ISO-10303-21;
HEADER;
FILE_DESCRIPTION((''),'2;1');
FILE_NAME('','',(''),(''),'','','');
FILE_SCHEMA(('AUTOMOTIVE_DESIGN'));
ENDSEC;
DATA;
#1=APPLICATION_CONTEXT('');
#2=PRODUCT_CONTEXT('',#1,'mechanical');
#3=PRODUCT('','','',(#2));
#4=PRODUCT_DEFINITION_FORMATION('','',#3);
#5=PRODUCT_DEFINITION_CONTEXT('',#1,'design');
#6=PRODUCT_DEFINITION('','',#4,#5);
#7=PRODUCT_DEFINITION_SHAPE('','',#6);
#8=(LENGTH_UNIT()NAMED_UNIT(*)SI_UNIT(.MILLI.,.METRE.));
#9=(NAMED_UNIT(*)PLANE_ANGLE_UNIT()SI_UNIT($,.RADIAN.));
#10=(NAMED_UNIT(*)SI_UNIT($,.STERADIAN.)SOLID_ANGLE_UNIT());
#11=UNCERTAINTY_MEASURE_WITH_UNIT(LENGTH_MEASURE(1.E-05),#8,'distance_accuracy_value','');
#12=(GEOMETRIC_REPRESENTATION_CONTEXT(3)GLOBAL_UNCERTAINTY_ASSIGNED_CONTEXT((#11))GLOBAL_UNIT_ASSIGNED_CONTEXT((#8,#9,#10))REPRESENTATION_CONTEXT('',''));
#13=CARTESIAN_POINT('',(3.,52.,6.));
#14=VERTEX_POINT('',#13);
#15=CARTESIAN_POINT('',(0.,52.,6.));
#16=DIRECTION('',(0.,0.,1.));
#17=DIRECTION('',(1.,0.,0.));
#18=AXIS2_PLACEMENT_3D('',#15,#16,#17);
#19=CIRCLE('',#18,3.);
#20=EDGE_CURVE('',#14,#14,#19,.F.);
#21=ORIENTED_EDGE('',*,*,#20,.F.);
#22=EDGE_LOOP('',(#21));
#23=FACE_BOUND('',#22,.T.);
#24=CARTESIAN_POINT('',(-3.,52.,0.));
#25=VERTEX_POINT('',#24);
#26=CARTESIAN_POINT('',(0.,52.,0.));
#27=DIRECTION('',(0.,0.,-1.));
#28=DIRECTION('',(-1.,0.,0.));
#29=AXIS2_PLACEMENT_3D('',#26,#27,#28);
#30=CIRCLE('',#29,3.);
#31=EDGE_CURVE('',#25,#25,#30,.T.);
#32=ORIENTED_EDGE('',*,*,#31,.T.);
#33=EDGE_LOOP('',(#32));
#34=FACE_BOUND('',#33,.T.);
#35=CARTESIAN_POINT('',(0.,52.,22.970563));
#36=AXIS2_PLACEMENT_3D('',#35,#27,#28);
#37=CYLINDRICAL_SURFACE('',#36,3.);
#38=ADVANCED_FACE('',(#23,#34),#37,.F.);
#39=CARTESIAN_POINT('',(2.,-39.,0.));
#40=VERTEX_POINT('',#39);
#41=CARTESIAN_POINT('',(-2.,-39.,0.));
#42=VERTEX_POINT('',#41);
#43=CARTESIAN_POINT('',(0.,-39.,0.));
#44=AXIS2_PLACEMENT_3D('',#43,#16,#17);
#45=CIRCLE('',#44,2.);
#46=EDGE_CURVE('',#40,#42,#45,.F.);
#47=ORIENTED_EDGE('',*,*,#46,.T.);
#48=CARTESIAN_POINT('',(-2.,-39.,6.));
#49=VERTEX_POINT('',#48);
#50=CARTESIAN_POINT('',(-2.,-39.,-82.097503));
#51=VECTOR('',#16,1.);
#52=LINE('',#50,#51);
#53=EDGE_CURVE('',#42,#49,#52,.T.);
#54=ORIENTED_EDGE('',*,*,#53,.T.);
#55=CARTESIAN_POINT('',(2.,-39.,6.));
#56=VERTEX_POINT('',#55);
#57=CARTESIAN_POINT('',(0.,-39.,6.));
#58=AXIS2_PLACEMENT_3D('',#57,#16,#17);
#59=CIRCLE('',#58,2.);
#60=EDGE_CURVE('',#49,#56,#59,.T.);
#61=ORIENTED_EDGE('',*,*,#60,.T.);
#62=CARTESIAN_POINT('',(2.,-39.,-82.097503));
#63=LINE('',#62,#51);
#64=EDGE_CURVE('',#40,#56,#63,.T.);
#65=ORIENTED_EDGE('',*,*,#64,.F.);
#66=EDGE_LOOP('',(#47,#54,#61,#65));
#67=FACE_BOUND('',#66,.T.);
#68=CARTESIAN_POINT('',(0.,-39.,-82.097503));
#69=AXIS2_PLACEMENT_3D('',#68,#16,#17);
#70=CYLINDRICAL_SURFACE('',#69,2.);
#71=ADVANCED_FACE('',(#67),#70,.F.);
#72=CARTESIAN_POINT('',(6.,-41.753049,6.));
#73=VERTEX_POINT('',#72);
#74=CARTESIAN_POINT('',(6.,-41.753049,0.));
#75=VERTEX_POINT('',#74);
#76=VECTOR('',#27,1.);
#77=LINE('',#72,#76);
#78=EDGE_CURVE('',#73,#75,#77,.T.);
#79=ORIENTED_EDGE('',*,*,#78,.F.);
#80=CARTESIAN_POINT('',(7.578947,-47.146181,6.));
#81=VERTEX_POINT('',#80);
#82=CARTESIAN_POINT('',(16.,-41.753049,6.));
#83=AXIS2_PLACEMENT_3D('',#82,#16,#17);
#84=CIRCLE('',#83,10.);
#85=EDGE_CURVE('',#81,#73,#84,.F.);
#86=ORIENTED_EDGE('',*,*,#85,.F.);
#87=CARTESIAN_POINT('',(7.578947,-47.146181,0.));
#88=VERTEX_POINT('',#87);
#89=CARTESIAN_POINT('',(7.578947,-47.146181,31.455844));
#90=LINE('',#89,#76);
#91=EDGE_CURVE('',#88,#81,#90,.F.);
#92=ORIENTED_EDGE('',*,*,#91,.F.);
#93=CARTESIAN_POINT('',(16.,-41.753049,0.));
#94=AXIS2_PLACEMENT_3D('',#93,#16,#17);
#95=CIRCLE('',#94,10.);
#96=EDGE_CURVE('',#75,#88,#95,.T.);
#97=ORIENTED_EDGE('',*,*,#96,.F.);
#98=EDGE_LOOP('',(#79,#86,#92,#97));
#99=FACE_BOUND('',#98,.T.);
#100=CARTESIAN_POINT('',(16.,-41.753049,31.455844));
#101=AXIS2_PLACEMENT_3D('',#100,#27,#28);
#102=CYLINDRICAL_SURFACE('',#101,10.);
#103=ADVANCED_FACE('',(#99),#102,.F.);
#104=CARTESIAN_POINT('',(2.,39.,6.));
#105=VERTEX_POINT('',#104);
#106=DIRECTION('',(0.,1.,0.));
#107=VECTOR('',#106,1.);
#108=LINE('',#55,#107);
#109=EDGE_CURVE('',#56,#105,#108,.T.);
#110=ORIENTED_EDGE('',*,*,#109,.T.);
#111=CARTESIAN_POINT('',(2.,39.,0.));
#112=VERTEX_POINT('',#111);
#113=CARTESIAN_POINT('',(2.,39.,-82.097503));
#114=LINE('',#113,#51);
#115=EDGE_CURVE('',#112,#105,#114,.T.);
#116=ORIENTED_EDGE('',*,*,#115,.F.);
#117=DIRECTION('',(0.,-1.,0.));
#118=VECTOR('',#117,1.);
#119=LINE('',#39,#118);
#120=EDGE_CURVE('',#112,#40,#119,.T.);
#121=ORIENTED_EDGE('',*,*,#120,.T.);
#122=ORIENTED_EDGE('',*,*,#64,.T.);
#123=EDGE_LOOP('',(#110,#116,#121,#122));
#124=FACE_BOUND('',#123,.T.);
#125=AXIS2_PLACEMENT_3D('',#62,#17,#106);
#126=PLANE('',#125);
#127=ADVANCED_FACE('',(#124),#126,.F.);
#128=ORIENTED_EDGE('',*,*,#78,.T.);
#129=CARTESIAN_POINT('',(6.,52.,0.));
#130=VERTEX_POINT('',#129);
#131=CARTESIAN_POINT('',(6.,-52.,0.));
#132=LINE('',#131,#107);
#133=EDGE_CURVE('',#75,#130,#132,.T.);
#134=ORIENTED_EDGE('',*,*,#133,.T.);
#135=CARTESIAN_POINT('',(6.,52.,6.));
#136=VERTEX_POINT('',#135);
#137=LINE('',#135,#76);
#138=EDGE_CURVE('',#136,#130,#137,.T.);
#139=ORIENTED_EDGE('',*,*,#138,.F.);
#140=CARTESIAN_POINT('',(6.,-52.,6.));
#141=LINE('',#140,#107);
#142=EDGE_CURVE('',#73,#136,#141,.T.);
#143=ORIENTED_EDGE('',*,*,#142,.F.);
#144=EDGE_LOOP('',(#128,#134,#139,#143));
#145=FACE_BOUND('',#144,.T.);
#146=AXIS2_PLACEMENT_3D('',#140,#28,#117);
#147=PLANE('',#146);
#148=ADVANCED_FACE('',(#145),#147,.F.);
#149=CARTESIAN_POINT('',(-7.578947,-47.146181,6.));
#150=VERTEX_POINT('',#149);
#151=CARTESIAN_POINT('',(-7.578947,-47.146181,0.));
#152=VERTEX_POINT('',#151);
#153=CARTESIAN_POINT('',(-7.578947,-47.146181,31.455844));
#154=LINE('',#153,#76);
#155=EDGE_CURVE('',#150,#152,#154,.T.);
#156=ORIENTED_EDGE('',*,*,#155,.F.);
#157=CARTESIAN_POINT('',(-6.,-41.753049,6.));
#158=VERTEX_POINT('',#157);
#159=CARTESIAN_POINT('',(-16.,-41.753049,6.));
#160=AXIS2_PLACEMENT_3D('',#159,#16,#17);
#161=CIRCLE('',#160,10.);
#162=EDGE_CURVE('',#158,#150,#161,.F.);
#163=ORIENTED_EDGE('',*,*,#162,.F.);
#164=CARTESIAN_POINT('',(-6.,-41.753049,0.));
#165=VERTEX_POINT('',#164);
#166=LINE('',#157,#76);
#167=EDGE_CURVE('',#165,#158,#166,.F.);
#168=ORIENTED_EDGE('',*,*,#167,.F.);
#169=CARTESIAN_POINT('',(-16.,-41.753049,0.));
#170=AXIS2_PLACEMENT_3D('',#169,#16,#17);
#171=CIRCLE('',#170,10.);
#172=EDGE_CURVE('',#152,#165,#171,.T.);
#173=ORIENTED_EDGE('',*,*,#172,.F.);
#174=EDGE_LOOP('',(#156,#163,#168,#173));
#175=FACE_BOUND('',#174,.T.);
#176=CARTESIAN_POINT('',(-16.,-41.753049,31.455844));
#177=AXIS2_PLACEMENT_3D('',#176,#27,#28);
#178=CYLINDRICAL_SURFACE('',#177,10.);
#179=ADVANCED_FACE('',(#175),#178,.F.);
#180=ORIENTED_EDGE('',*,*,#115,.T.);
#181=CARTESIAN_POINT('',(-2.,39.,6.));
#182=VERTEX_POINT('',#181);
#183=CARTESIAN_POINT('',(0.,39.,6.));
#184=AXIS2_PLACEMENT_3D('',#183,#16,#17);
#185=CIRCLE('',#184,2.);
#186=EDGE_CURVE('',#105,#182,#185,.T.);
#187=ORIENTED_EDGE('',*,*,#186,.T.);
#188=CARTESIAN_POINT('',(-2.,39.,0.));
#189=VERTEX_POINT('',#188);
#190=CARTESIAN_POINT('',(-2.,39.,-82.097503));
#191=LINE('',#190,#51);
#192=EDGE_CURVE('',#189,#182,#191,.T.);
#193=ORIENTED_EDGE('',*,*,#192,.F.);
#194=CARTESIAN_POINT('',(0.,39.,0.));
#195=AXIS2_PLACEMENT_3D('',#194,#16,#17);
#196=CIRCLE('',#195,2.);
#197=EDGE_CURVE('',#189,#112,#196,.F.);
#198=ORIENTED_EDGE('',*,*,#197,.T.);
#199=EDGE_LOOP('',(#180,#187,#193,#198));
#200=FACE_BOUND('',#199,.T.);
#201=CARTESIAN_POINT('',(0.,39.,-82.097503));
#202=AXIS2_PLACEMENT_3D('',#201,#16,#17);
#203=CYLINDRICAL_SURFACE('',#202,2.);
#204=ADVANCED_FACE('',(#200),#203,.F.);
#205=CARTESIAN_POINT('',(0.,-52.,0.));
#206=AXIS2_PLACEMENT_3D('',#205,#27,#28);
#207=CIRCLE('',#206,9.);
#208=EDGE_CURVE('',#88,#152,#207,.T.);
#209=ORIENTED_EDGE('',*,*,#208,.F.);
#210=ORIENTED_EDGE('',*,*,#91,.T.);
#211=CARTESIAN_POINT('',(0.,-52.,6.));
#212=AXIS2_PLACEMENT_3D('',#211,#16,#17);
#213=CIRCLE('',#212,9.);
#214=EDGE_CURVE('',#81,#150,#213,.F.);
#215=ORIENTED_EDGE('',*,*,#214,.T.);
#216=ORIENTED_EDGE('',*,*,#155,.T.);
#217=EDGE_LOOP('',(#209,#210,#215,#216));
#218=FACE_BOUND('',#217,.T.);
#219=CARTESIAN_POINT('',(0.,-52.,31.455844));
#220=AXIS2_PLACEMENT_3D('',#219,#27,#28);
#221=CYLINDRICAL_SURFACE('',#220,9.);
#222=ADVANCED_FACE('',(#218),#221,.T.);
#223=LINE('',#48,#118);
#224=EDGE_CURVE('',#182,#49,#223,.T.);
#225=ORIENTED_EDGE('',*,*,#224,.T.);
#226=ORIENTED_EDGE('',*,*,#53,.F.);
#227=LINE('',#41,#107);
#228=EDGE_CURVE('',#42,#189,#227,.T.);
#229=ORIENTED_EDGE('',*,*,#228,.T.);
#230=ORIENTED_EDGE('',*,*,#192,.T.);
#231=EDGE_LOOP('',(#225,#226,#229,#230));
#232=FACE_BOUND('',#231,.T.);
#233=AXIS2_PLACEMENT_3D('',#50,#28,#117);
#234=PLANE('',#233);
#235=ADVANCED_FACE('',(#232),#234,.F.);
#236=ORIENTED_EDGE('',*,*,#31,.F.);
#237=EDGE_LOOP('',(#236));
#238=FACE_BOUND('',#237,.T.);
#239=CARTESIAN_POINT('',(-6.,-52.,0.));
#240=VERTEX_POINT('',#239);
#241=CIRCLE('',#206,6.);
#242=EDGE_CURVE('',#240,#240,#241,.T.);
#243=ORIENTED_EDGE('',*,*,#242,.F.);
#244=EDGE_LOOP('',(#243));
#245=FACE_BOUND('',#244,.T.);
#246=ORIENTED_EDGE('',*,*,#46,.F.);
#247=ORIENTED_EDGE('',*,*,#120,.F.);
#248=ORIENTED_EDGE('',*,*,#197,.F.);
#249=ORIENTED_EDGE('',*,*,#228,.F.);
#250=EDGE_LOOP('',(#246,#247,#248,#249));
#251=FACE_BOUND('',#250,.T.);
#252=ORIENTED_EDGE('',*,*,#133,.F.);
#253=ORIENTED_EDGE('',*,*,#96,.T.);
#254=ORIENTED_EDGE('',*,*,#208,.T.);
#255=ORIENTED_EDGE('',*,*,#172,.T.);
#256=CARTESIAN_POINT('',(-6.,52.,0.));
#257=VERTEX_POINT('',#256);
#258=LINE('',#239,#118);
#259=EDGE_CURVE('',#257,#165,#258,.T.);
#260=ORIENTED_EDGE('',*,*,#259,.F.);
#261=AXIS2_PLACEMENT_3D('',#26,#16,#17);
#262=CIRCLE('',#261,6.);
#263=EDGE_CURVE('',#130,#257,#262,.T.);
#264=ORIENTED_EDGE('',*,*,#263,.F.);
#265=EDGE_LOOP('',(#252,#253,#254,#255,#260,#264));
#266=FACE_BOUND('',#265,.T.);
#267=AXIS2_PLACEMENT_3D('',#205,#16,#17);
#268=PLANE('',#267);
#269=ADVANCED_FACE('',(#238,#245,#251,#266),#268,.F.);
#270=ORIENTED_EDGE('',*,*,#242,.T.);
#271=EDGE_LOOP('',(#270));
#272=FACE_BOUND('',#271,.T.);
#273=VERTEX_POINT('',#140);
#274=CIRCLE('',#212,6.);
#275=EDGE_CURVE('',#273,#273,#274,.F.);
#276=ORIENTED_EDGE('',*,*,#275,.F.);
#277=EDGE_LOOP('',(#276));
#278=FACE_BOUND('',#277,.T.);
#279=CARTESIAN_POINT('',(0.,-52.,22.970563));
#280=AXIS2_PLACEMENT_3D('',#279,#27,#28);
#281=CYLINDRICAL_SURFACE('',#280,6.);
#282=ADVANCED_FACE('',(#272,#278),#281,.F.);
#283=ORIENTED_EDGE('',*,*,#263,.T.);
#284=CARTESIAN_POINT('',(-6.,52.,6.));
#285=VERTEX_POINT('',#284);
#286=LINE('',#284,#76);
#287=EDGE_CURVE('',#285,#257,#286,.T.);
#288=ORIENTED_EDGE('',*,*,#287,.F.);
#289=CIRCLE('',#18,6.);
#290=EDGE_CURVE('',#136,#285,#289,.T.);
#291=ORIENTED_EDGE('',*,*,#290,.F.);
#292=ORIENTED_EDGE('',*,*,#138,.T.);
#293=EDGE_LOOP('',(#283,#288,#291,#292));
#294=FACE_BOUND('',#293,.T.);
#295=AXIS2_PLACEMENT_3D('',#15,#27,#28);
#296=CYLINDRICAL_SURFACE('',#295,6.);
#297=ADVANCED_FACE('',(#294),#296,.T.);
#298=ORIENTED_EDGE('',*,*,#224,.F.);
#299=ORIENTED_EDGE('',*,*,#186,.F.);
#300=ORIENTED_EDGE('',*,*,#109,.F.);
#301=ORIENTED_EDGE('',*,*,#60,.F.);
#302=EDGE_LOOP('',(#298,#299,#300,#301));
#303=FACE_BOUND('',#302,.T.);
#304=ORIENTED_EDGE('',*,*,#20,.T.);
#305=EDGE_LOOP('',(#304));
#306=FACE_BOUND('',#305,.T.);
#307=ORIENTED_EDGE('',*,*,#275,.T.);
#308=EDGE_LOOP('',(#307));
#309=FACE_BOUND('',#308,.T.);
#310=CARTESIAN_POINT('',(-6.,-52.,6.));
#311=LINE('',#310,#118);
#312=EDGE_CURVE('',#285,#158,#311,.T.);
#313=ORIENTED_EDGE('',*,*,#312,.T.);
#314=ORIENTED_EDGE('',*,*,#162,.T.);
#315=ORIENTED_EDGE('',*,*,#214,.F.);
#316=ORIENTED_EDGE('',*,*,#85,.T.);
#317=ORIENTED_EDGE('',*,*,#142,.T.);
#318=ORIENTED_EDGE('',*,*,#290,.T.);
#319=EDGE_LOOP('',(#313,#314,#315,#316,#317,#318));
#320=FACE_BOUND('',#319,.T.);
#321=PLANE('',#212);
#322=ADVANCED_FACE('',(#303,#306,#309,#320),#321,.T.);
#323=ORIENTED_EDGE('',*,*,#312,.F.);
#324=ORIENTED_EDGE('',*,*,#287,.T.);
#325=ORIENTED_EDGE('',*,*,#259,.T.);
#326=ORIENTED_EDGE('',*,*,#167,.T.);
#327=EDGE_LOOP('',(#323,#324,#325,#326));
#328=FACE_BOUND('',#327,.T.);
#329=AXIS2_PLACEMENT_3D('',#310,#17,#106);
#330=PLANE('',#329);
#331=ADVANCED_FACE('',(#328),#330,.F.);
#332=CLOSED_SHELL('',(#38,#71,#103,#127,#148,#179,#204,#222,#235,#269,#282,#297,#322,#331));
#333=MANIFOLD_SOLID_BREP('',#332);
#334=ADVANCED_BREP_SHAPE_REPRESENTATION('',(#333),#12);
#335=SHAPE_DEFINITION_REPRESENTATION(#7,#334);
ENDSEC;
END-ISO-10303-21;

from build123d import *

# Parameters (mm, degrees)
EXTRUDE_1_DEPTH     = 6
SKETCH_2_R          = 9
EXTRUDE_2_DEPTH     = 6
SKETCH_3_R          = 6
SKETCH_3_R_2        = 3
CUT_EXTRUDE_1_DEPTH = 6
FILLET_1_R          = 10
CUT_EXTRUDE_2_DEPTH = 6


with BuildPart() as part:
    # 草图1 → 凸台-拉伸1 (new body)
    with BuildSketch(Plane.XY):
        with BuildLine():
            Line((-6, -52), (-6, 52))
            ThreePointArc((-6, 52), (0, 58), (6, 52))
            Line((6, 52), (6, -52))
            ThreePointArc((6, -52), (0, -58), (-6, -52))
        make_face()
    extrude(amount=EXTRUDE_1_DEPTH)

    # 草图2 → 凸台-拉伸2 (add)
    with BuildSketch(Plane(origin=(0, 0, 0), x_dir=(-1, 0, 0), z_dir=(0, 0, -1))):
        with Locations((0, -52)):
            Circle(SKETCH_2_R)
    extrude(amount=-EXTRUDE_2_DEPTH)

    # 草图3 → 切除-拉伸1 (cut)
    with BuildSketch(Plane(origin=(0, 0, 0), x_dir=(-1, 0, 0), z_dir=(0, 0, -1))):
        with Locations((0, -52)):
            Circle(SKETCH_3_R)
        with Locations((0, 52)):
            Circle(SKETCH_3_R_2)
    extrude(amount=-CUT_EXTRUDE_1_DEPTH, mode=Mode.SUBTRACT)

    # 圆角1
    fillet_1_edges = [part.edges().sort_by_distance(p)[0] for p in [
        (6, -45.291796068, 3),
        (-6, -45.291796068, 3),
    ]]
    fillet(fillet_1_edges, radius=FILLET_1_R)

    # 草图4 → 切除-拉伸2 (cut)
    with BuildSketch(Plane.XY.offset(6)):
        with BuildLine():
            Line((-2, -39), (-2, 39))
            ThreePointArc((-2, 39), (0, 41), (2, 39))
            Line((2, 39), (2, -39))
            ThreePointArc((2, -39), (0, -41), (-2, -39))
        make_face()
    extrude(amount=-CUT_EXTRUDE_2_DEPTH, mode=Mode.SUBTRACT)


solid = part.part
